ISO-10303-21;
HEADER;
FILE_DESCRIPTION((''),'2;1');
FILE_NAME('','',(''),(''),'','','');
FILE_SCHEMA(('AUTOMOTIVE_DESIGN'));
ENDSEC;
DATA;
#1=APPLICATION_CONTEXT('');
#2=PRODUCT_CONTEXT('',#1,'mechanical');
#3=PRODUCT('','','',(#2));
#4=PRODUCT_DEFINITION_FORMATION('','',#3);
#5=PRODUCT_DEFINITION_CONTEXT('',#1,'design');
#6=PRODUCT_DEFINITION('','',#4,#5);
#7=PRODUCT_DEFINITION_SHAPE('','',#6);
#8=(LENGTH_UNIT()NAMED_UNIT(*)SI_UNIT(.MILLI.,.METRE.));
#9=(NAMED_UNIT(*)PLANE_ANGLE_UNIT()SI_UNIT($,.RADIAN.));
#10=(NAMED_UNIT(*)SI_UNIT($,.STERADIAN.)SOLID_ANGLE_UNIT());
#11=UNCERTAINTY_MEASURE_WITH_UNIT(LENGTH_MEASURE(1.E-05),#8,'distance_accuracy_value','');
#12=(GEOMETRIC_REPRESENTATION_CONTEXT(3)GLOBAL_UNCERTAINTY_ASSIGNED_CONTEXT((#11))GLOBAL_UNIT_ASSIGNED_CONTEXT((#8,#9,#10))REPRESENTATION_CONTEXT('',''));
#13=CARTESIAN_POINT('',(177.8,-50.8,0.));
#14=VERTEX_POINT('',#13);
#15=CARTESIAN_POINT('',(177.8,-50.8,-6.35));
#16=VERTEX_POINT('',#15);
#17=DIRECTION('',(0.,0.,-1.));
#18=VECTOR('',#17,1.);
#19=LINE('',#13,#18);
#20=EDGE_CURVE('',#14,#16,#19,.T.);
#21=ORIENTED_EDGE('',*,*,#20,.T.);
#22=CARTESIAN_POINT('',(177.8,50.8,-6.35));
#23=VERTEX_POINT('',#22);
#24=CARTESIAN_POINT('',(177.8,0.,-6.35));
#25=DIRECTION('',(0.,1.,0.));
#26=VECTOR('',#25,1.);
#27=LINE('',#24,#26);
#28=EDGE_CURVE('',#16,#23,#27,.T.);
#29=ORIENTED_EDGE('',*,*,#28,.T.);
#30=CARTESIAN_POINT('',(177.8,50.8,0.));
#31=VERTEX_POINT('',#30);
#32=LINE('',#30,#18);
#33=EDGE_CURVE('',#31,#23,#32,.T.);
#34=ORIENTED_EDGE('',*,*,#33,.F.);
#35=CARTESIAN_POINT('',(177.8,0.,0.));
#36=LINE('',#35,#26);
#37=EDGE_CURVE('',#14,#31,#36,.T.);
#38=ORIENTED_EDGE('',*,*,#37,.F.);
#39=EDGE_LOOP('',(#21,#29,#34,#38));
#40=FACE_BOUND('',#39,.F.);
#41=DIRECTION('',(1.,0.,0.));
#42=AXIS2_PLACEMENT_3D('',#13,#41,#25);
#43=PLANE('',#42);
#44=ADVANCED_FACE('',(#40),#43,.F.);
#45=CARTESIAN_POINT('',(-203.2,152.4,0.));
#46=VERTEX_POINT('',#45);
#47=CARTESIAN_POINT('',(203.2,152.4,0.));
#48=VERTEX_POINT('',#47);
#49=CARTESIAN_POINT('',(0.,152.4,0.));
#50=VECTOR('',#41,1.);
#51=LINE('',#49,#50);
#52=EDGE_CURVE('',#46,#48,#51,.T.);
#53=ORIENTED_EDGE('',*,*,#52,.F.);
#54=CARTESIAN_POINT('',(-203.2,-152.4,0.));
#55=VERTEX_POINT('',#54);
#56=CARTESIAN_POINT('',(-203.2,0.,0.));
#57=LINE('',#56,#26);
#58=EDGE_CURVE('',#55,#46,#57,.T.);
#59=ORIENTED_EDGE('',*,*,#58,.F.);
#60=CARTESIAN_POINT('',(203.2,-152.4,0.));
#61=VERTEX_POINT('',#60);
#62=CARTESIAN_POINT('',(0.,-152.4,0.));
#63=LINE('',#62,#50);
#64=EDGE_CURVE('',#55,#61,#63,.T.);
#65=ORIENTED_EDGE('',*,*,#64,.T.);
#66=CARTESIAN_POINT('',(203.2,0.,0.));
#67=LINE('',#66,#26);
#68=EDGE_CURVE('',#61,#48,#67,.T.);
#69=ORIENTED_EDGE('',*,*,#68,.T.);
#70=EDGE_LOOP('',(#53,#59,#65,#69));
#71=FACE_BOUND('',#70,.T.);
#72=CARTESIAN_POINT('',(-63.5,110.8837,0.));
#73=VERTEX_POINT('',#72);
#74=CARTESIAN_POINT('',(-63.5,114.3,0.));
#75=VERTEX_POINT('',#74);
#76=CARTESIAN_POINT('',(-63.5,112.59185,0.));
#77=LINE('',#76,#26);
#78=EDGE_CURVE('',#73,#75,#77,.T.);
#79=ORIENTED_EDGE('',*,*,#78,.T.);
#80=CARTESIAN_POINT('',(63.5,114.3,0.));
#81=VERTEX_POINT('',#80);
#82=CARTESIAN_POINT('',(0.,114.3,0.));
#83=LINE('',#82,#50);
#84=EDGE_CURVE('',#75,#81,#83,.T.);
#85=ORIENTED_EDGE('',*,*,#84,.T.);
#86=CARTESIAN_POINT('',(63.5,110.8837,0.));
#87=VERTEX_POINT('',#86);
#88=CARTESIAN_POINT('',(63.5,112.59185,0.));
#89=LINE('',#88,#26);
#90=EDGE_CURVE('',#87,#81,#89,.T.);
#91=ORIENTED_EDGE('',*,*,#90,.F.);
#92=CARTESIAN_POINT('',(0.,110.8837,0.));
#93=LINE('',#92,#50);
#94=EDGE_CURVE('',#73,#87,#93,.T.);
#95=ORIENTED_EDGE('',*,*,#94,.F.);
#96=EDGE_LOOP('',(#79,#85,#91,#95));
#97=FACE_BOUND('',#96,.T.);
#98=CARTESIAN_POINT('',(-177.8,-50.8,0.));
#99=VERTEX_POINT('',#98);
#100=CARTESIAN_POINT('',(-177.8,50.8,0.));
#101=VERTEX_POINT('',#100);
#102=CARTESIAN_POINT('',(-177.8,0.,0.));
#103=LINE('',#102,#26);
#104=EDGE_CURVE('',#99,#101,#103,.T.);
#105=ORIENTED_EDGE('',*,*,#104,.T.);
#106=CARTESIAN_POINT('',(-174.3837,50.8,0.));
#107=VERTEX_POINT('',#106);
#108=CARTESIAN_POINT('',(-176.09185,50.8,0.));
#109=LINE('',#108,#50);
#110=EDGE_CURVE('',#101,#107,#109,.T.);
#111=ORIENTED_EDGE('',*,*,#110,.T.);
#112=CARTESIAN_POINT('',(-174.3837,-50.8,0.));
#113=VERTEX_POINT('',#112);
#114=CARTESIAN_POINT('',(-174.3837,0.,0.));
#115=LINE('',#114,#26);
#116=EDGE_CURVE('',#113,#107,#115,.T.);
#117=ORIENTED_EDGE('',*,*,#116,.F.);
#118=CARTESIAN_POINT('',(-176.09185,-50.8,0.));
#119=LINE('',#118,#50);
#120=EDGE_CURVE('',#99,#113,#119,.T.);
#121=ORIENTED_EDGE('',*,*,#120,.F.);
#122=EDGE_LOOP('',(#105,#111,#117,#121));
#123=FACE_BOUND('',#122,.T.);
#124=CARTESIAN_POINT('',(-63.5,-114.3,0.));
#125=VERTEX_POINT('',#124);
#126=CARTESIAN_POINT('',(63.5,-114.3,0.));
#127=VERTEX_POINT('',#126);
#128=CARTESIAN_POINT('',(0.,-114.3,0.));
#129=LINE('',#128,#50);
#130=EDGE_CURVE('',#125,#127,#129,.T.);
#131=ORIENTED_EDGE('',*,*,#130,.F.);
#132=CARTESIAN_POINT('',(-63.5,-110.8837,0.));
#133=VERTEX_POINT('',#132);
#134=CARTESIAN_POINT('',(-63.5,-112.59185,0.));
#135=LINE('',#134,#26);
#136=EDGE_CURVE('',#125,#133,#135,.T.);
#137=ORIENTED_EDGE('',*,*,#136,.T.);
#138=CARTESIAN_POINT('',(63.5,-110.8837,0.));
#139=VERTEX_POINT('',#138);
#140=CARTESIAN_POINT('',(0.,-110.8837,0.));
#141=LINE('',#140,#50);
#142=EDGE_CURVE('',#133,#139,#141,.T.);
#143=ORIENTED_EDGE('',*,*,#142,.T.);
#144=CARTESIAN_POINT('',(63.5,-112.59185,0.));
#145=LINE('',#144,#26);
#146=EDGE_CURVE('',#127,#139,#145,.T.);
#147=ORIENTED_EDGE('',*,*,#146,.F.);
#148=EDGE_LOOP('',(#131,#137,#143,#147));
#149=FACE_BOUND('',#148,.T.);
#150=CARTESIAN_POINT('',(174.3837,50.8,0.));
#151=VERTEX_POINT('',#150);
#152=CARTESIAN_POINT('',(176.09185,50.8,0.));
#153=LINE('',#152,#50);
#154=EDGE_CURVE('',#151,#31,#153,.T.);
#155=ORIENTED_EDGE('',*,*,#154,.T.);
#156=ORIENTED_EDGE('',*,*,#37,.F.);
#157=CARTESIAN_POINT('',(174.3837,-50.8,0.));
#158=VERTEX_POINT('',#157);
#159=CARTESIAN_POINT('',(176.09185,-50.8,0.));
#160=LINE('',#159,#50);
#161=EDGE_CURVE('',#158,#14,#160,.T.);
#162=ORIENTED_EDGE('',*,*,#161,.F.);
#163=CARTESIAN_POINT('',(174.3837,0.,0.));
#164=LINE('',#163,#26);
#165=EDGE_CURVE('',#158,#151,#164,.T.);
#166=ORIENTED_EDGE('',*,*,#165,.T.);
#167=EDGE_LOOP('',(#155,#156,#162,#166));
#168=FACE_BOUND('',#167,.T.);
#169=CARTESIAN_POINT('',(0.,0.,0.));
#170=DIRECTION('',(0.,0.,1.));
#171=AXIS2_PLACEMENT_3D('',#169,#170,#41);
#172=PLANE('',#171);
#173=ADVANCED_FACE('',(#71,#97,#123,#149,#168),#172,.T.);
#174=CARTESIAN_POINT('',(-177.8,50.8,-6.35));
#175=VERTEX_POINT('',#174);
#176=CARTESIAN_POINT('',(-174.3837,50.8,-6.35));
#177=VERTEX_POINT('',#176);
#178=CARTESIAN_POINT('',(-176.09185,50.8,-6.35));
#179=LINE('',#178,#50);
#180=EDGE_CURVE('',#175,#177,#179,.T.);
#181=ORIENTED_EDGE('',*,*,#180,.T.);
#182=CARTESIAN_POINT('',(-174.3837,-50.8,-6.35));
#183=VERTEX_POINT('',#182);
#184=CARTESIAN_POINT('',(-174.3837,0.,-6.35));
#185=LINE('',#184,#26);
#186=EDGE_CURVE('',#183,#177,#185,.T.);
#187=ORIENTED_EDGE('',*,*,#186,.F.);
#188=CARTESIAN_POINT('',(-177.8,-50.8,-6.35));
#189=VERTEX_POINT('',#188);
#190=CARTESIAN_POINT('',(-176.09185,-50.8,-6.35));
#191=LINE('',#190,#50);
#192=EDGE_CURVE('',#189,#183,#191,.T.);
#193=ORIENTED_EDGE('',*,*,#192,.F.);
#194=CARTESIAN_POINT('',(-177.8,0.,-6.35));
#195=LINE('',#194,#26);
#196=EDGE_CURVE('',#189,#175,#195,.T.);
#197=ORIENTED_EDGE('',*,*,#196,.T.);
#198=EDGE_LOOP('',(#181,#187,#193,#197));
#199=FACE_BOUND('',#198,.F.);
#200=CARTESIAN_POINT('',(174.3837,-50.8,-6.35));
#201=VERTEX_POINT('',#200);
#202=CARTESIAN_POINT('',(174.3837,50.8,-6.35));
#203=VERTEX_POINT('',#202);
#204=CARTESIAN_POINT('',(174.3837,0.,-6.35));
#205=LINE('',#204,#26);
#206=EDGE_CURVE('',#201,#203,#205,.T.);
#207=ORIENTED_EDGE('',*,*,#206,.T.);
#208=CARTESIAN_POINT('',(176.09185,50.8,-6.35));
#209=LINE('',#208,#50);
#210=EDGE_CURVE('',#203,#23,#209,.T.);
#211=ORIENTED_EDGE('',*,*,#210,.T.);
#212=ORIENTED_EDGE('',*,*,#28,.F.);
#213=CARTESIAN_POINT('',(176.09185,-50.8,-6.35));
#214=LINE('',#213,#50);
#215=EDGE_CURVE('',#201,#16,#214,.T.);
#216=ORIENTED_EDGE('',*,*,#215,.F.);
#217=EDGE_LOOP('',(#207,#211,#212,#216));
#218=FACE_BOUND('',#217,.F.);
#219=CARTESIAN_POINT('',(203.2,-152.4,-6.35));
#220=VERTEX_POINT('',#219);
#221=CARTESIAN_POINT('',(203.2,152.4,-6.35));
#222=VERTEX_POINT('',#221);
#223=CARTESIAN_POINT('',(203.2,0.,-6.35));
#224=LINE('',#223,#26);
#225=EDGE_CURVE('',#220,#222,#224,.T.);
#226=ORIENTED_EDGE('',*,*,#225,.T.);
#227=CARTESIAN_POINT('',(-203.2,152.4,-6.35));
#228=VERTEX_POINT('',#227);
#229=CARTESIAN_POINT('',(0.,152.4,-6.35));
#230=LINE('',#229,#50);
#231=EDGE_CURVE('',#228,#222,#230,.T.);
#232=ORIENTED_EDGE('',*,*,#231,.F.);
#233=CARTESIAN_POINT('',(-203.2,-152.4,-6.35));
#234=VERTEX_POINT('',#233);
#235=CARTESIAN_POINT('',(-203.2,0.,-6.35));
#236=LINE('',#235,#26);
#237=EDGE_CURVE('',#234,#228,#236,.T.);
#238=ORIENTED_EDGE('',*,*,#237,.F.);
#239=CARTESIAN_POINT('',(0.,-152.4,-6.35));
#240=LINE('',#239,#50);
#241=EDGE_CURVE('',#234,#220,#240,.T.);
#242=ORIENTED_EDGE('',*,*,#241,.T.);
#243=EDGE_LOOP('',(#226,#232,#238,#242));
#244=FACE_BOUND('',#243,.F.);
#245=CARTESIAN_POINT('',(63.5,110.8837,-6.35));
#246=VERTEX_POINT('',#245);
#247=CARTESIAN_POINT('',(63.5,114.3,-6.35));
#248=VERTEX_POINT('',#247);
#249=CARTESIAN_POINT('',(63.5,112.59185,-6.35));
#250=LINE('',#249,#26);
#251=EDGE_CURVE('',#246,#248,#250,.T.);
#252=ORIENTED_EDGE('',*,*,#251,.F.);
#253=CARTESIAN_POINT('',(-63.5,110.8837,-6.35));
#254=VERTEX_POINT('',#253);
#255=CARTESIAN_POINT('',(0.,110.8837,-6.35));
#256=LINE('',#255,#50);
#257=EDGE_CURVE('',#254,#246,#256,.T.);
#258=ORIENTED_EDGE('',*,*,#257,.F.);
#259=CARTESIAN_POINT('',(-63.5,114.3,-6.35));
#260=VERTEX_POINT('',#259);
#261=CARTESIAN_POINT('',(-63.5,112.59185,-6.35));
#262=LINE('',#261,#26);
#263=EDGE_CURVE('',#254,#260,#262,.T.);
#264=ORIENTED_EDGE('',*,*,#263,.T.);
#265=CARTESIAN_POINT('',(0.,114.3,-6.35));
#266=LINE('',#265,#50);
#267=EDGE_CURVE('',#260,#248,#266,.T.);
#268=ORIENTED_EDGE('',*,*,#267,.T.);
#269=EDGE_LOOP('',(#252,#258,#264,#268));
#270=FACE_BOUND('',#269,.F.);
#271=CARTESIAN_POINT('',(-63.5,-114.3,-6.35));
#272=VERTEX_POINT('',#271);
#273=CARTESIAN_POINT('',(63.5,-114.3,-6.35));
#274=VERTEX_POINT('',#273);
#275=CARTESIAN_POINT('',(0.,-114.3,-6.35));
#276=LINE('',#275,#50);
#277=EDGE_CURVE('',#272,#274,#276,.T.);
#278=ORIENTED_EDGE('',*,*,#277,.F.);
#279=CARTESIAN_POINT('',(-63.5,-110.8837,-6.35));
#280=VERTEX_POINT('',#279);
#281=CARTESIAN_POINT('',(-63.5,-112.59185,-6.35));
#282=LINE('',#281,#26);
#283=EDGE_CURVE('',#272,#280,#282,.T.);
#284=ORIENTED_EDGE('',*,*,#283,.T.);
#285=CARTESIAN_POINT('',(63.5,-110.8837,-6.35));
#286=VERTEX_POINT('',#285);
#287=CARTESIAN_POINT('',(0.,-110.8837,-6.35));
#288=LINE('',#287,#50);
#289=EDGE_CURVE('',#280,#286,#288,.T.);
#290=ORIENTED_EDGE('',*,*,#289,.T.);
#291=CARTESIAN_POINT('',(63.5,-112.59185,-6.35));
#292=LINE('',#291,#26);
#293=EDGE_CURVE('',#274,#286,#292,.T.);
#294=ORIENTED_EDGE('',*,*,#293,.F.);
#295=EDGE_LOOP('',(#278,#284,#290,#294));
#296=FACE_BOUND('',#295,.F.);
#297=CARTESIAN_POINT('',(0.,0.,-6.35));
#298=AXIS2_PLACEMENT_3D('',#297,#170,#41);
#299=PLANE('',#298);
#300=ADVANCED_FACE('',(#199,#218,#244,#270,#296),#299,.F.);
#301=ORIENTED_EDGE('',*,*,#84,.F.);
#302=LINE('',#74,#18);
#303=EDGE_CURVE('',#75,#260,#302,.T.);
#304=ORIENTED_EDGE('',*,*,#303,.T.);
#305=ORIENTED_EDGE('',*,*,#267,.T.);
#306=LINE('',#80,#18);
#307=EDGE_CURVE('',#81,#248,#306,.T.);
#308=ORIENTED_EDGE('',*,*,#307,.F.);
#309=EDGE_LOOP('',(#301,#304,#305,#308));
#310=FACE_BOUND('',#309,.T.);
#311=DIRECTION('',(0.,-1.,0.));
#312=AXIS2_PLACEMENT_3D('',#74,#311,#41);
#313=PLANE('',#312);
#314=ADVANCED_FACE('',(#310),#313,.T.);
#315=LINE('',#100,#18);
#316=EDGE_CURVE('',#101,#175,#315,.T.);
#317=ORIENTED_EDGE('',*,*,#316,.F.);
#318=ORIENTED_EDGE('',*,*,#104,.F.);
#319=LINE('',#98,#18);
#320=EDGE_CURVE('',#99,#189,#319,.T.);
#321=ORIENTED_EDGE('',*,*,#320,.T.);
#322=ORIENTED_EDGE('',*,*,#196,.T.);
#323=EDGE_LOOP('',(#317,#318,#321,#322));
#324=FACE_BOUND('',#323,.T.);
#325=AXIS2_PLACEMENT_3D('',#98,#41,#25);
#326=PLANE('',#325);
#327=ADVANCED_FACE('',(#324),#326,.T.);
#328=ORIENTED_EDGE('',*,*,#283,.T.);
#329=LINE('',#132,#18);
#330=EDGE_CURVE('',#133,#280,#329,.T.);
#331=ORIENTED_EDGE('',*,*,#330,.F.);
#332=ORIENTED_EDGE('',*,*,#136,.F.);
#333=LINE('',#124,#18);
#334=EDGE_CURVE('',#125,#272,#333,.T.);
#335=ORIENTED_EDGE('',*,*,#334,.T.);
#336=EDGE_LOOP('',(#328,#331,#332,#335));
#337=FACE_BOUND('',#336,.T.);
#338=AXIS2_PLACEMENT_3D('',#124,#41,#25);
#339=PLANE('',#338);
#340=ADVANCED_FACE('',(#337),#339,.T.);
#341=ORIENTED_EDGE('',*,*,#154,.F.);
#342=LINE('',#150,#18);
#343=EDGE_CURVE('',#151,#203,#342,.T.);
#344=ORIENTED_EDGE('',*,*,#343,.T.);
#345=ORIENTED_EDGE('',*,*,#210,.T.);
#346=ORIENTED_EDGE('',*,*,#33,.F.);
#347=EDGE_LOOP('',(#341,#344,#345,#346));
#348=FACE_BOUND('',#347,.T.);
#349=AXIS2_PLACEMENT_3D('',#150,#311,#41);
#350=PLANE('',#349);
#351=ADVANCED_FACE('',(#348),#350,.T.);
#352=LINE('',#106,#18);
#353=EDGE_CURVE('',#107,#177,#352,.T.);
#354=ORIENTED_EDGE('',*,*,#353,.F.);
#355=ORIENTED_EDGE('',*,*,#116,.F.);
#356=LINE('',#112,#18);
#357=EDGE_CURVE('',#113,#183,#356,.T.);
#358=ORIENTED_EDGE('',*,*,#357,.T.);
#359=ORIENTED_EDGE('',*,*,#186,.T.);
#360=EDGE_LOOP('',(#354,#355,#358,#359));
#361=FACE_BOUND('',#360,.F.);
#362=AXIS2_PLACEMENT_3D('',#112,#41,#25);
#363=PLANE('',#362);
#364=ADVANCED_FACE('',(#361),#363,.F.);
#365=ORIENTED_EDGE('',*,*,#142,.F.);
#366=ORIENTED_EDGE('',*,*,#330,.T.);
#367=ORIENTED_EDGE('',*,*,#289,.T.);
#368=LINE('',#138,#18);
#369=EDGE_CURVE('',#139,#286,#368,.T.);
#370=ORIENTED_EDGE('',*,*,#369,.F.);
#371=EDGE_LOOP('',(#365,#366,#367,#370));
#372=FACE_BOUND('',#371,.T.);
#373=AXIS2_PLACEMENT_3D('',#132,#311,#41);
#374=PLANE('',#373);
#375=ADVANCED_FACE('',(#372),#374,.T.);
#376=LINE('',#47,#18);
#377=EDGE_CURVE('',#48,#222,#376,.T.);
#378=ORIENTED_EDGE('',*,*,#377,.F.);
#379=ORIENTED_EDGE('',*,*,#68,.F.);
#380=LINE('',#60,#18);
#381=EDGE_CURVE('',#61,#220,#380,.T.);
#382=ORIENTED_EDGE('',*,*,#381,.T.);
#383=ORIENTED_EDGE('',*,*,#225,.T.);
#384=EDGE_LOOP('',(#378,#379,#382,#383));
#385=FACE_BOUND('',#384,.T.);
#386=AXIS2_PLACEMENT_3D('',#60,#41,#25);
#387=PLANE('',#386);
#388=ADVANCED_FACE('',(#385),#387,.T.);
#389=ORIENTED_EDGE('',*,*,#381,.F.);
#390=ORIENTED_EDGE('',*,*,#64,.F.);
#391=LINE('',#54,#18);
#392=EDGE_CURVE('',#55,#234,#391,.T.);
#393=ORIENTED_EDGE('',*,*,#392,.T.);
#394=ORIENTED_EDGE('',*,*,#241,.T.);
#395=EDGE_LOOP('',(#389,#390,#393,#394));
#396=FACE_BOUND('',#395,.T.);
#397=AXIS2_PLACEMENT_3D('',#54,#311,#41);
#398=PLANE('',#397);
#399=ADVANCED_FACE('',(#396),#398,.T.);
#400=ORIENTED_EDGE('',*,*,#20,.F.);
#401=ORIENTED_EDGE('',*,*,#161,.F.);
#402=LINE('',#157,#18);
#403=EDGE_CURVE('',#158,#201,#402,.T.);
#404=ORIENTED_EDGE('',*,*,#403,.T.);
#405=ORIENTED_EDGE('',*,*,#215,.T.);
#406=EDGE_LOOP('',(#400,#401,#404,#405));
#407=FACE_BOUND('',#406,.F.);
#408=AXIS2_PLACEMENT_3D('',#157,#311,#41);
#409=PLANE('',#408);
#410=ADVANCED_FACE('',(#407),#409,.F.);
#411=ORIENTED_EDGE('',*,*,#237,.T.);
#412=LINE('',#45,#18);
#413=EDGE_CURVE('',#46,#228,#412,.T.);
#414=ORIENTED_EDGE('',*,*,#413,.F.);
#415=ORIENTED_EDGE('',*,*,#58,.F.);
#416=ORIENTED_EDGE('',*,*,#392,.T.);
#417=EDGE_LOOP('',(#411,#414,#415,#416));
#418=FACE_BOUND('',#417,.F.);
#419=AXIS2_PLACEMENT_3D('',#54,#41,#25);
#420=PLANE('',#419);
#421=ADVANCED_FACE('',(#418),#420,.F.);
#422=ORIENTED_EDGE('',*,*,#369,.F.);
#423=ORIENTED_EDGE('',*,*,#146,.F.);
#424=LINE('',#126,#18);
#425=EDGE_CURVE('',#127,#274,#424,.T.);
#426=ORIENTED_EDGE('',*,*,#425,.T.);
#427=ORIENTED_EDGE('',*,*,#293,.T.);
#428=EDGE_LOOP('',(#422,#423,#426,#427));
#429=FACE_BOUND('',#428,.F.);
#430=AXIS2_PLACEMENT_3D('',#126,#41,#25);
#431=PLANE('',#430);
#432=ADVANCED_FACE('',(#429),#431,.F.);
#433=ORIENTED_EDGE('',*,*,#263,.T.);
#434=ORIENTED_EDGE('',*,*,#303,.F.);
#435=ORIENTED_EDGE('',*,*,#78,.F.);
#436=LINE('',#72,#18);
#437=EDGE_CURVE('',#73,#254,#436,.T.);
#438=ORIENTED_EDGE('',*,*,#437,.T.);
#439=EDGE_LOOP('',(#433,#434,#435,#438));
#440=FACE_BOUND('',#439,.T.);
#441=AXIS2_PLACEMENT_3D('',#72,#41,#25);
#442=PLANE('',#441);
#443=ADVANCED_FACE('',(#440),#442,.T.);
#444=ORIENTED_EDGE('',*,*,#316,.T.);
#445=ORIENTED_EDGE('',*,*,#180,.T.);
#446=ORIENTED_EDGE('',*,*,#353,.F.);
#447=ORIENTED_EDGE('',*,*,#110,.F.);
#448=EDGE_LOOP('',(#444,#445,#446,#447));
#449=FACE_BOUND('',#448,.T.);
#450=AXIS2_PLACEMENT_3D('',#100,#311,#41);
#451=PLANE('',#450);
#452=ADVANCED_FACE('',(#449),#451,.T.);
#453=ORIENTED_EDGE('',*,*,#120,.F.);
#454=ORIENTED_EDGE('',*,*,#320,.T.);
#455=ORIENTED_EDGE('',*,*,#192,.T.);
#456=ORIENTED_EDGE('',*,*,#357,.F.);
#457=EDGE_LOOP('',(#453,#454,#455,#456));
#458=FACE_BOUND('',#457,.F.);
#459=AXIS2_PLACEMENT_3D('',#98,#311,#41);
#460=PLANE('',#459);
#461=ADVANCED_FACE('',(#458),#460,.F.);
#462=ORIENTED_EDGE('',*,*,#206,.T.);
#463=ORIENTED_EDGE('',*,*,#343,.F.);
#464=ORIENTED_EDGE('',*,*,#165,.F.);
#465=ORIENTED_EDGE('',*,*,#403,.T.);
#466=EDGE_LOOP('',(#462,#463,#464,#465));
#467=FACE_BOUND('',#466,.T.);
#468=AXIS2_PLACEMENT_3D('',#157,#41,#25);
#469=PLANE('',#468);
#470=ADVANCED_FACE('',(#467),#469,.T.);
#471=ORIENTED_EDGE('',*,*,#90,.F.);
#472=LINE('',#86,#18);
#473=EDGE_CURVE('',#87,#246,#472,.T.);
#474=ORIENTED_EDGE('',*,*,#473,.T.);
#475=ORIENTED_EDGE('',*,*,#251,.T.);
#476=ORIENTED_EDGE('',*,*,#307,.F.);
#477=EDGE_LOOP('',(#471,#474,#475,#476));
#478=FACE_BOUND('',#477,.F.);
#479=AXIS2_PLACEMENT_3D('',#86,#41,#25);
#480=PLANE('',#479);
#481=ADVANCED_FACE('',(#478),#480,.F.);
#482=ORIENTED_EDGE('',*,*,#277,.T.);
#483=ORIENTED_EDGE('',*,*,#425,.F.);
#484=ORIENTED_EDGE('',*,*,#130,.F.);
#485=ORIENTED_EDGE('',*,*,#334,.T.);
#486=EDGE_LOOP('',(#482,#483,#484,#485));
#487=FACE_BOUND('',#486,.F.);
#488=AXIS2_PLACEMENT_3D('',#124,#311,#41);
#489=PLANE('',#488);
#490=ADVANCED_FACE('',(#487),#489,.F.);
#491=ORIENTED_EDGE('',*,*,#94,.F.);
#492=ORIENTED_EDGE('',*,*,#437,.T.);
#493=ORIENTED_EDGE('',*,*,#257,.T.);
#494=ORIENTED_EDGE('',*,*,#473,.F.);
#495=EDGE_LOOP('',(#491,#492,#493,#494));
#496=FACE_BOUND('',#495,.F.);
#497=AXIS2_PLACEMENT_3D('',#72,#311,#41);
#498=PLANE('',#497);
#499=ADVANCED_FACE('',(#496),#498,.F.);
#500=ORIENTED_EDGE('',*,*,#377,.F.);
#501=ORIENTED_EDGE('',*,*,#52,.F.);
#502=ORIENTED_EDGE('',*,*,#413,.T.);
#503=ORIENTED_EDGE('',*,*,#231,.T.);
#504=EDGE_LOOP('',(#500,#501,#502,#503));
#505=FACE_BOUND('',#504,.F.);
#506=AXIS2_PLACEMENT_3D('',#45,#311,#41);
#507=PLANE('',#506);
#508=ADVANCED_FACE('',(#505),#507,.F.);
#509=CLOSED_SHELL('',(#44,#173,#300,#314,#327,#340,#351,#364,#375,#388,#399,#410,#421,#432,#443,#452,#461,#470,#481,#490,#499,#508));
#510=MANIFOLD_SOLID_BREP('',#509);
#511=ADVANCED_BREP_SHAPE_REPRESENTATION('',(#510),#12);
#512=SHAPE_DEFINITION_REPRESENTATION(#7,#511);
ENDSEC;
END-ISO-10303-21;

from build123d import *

# Parameters (mm, degrees)
F0_W     = 406.4
F0_H     = 304.8
F0_W_2   = 127
F0_H_2   = 3.4163
F0_W_3   = 3.4163
F0_H_3   = 101.6
F1_DEPTH = 6.35


with BuildPart() as f1:
    # F0 (on Top) → F1 (new body)
    with BuildSketch(Plane.XY):
        Rectangle(F0_W, F0_H)
        with Locations((0, -112.59185)):
            Rectangle(F0_W_2, F0_H_2, mode=Mode.SUBTRACT)
        with Locations((-176.09185, 0)):
            Rectangle(F0_W_3, F0_H_3, mode=Mode.SUBTRACT)
        with Locations((0, 112.59185)):
            Rectangle(F0_W_2, F0_H_2, mode=Mode.SUBTRACT)
        with Locations((176.09185, 0)):
            Rectangle(F0_W_3, F0_H_3, mode=Mode.SUBTRACT)
    extrude(amount=-F1_DEPTH)


solid = f1.part
